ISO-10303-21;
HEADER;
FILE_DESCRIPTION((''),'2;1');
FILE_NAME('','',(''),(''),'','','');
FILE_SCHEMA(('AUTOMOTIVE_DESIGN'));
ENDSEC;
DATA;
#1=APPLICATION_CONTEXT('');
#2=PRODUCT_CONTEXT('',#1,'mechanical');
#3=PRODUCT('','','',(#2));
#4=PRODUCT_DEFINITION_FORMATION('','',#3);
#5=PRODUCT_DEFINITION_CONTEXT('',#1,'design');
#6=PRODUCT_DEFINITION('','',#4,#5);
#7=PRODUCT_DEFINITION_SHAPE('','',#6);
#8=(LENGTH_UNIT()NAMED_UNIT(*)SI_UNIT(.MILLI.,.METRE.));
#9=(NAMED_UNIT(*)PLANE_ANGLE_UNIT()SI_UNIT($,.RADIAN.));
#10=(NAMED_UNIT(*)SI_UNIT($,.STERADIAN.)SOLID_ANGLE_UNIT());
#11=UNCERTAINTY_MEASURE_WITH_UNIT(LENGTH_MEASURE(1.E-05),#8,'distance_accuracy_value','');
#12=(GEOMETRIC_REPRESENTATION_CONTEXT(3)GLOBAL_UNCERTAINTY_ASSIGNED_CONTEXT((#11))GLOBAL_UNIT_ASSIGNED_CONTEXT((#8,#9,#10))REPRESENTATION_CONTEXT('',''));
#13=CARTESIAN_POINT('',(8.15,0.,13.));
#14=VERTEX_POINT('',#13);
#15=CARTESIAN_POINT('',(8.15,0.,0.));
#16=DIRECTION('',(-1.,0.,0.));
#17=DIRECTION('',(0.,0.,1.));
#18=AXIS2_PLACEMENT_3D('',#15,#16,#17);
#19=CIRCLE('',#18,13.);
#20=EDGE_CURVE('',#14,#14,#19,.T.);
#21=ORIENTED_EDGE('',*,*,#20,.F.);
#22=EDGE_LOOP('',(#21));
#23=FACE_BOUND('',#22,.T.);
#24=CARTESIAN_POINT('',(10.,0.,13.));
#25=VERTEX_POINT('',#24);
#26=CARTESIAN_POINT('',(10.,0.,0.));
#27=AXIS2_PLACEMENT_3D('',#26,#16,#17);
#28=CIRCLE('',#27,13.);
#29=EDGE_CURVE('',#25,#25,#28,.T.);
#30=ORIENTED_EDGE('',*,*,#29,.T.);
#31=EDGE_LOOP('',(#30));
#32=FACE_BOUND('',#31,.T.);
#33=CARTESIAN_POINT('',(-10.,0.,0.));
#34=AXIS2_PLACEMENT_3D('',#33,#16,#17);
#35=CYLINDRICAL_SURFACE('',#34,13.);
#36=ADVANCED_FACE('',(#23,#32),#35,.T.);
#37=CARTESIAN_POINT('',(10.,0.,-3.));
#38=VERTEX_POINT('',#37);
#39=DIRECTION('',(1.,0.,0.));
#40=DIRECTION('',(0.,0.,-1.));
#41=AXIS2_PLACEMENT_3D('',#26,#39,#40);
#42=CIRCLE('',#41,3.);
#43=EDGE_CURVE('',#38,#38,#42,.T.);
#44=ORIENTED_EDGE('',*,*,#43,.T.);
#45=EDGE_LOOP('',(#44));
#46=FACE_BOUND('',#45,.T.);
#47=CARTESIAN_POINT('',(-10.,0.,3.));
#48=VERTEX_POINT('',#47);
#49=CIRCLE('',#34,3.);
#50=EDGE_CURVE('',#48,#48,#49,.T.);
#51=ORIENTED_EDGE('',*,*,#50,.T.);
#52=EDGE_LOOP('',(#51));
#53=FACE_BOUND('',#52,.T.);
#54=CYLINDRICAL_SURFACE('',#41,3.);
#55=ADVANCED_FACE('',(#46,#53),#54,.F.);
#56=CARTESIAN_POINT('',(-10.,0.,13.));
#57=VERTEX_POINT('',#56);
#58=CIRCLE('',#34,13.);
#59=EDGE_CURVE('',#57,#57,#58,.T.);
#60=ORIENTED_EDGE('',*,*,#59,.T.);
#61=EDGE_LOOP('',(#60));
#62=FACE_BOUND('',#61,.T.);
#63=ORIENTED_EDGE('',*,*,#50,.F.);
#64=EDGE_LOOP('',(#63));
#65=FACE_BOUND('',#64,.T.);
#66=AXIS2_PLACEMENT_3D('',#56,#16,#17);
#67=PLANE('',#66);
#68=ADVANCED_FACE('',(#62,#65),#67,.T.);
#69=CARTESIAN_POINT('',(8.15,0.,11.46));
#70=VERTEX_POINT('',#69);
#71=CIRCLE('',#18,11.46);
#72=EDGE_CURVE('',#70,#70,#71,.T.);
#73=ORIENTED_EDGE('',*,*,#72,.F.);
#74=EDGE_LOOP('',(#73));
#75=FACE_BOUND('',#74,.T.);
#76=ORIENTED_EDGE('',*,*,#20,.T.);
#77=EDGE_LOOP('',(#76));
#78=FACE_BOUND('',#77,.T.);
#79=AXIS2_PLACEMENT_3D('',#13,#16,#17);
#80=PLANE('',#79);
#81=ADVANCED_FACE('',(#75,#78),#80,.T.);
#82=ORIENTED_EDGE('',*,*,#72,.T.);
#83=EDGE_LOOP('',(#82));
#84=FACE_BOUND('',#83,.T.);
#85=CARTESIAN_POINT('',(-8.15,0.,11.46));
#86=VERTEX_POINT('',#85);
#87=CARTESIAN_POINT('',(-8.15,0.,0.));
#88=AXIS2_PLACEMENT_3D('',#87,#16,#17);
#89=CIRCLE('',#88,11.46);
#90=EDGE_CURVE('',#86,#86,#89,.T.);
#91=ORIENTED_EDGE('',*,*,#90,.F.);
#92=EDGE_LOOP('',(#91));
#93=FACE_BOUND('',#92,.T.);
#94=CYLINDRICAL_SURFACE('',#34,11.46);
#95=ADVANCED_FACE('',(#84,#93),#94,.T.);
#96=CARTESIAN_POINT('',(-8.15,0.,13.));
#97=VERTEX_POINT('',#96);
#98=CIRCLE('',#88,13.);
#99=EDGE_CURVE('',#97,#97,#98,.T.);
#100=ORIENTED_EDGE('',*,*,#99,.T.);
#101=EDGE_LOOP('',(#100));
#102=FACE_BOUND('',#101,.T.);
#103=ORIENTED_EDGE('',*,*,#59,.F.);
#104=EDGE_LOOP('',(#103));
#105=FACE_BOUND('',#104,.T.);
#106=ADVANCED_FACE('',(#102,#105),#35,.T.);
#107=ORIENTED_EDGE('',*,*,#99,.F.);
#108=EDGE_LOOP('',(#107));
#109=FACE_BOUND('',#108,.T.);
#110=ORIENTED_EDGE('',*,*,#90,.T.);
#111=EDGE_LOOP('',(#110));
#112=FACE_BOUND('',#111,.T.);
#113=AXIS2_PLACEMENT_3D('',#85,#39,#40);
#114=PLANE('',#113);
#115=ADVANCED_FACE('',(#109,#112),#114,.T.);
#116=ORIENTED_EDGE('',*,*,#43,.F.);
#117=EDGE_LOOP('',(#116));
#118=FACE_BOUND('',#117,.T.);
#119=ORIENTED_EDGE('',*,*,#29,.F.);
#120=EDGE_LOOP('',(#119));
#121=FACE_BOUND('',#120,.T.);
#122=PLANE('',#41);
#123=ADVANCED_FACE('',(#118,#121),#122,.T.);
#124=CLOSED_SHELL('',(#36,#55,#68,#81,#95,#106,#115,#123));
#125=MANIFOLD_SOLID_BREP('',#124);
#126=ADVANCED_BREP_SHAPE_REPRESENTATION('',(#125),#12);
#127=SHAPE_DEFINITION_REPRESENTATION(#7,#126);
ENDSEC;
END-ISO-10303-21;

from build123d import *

# Parameters (mm, degrees)
F_6_0_6_DIAMETER_HOLE2_D     = 6
F_6_0_6_DIAMETER_HOLE2_DEPTH = 24
F_6_0_6_DIAMETER_HOLE2_TIP   = 1.802581857


with BuildPart() as part:
    # Sketch1 → Revolve1 (revolve)
    with BuildSketch(Plane(origin=(0, 0, 0), x_dir=(1, 0, 0), z_dir=(0, 1, 0))):
        Polygon((0, -11.46), (-8.15, -11.46), (-8.15, -13), (-10, -13), (-10, 0), (10, 0), (10, -13), (8.15, -13), (8.15, -11.46), align=None)
    revolve(axis=Axis((-10, 0, 0), (1, 0, 0)))

    # Ø6.0 (6) Diameter Hole2
    with Locations(Plane(origin=(10, 0, 0), x_dir=(0, 0, -1), z_dir=(1, 0, 0))):
        with Locations((0, 0)):
            Hole(F_6_0_6_DIAMETER_HOLE2_D / 2, depth=F_6_0_6_DIAMETER_HOLE2_DEPTH)
            with Locations((0, 0, -(F_6_0_6_DIAMETER_HOLE2_DEPTH + F_6_0_6_DIAMETER_HOLE2_TIP / 2))):  # 118° drill point
                Cone(0, F_6_0_6_DIAMETER_HOLE2_D / 2, F_6_0_6_DIAMETER_HOLE2_TIP, mode=Mode.SUBTRACT)


solid = part.part
